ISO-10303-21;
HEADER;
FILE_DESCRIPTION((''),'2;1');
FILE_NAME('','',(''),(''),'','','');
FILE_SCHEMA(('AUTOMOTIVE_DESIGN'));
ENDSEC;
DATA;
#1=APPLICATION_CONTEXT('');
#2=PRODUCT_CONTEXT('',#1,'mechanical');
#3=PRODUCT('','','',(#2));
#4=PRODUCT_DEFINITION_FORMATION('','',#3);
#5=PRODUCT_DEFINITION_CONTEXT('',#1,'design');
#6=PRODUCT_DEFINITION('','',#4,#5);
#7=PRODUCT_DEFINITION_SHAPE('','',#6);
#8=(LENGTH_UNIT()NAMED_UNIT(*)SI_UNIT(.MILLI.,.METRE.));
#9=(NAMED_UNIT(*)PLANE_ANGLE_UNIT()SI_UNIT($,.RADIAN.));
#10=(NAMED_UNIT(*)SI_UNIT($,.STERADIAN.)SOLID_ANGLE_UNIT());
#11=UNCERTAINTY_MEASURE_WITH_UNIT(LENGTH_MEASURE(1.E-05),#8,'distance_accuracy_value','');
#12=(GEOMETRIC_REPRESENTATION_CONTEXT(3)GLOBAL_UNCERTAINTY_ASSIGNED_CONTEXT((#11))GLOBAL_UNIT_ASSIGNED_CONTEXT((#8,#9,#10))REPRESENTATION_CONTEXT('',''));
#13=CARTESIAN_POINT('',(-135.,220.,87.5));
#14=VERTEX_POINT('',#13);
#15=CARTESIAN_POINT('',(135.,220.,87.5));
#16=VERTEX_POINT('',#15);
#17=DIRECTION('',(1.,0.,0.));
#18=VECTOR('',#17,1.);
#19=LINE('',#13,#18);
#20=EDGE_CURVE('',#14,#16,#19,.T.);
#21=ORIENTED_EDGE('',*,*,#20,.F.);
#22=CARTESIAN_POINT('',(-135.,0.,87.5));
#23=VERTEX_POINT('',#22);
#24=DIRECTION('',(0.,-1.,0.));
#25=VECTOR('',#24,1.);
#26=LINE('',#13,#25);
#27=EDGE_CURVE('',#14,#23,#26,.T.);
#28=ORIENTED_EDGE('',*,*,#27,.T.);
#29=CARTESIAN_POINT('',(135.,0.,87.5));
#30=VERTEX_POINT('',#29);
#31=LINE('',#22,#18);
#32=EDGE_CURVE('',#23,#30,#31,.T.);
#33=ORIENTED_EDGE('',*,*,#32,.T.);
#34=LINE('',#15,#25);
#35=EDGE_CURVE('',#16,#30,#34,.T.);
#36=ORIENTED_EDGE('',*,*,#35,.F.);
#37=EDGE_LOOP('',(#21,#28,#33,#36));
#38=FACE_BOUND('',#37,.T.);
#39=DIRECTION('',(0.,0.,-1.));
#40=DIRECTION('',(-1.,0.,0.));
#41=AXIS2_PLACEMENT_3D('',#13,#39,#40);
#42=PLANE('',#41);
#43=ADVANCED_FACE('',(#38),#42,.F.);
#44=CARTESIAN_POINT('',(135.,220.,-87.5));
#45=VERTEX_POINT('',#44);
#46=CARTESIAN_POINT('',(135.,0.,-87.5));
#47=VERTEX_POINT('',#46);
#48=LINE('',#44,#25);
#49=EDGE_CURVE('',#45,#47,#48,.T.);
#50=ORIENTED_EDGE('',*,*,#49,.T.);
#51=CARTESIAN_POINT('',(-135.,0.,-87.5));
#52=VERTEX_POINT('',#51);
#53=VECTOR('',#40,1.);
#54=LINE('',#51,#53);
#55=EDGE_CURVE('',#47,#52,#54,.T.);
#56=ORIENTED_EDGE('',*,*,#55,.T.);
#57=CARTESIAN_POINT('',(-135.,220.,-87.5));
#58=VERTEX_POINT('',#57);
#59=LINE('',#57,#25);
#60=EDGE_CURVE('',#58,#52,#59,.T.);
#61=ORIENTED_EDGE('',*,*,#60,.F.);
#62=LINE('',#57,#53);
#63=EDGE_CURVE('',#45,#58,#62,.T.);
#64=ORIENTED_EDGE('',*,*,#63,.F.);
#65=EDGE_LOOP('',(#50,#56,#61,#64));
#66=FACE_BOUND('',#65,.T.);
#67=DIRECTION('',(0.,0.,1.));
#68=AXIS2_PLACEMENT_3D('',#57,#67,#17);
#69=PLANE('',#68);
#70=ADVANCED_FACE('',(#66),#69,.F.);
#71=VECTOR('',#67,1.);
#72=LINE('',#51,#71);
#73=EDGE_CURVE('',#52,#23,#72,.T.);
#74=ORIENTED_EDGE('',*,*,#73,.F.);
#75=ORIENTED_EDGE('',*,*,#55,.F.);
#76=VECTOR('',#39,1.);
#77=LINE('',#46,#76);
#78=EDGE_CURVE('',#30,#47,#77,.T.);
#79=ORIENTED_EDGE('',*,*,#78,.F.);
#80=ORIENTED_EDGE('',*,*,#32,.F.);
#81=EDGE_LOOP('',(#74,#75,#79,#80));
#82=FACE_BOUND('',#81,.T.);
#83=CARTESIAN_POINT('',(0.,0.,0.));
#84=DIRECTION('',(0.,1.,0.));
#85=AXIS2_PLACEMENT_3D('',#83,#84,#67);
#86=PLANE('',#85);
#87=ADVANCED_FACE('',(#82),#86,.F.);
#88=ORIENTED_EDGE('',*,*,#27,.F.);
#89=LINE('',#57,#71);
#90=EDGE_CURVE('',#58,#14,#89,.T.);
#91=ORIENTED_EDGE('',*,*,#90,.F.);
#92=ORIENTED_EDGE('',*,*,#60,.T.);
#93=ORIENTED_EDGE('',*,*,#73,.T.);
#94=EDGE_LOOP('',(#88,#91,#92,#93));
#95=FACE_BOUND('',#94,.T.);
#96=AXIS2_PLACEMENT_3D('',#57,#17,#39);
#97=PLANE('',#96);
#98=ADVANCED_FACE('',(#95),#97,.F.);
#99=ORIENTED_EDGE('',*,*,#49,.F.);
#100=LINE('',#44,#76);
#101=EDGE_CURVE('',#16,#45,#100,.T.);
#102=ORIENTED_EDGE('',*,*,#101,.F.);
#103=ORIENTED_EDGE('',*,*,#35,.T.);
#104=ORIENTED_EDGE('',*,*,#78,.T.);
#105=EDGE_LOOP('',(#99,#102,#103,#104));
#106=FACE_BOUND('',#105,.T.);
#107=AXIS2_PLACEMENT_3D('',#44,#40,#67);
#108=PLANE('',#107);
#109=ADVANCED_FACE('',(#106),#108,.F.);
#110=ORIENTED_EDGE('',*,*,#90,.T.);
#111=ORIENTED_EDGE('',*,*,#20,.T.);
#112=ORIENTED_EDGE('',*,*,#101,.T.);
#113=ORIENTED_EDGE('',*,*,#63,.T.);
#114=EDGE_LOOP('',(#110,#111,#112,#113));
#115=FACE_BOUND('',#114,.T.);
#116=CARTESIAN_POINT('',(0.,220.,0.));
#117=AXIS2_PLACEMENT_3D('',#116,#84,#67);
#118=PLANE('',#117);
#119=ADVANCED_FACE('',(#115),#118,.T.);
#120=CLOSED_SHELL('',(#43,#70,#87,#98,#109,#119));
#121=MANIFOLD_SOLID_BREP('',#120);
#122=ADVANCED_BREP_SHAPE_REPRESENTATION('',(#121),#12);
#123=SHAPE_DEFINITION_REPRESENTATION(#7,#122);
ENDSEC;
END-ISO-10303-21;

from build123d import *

# Parameters (mm, degrees)
SZKIC1_W                    = 270
SZKIC1_H                    = 175
DODANIE_WYCI_GNI_CIE1_DEPTH = 220


with BuildPart() as part:
    # Szkic1 → Dodanie-wyciągnięcie1 (new body)
    with BuildSketch(Plane(origin=(0, 0, 0), x_dir=(1, 0, 0), z_dir=(0, 1, 0))):
        Rectangle(SZKIC1_W, SZKIC1_H)
    extrude(amount=DODANIE_WYCI_GNI_CIE1_DEPTH)


solid = part.part
